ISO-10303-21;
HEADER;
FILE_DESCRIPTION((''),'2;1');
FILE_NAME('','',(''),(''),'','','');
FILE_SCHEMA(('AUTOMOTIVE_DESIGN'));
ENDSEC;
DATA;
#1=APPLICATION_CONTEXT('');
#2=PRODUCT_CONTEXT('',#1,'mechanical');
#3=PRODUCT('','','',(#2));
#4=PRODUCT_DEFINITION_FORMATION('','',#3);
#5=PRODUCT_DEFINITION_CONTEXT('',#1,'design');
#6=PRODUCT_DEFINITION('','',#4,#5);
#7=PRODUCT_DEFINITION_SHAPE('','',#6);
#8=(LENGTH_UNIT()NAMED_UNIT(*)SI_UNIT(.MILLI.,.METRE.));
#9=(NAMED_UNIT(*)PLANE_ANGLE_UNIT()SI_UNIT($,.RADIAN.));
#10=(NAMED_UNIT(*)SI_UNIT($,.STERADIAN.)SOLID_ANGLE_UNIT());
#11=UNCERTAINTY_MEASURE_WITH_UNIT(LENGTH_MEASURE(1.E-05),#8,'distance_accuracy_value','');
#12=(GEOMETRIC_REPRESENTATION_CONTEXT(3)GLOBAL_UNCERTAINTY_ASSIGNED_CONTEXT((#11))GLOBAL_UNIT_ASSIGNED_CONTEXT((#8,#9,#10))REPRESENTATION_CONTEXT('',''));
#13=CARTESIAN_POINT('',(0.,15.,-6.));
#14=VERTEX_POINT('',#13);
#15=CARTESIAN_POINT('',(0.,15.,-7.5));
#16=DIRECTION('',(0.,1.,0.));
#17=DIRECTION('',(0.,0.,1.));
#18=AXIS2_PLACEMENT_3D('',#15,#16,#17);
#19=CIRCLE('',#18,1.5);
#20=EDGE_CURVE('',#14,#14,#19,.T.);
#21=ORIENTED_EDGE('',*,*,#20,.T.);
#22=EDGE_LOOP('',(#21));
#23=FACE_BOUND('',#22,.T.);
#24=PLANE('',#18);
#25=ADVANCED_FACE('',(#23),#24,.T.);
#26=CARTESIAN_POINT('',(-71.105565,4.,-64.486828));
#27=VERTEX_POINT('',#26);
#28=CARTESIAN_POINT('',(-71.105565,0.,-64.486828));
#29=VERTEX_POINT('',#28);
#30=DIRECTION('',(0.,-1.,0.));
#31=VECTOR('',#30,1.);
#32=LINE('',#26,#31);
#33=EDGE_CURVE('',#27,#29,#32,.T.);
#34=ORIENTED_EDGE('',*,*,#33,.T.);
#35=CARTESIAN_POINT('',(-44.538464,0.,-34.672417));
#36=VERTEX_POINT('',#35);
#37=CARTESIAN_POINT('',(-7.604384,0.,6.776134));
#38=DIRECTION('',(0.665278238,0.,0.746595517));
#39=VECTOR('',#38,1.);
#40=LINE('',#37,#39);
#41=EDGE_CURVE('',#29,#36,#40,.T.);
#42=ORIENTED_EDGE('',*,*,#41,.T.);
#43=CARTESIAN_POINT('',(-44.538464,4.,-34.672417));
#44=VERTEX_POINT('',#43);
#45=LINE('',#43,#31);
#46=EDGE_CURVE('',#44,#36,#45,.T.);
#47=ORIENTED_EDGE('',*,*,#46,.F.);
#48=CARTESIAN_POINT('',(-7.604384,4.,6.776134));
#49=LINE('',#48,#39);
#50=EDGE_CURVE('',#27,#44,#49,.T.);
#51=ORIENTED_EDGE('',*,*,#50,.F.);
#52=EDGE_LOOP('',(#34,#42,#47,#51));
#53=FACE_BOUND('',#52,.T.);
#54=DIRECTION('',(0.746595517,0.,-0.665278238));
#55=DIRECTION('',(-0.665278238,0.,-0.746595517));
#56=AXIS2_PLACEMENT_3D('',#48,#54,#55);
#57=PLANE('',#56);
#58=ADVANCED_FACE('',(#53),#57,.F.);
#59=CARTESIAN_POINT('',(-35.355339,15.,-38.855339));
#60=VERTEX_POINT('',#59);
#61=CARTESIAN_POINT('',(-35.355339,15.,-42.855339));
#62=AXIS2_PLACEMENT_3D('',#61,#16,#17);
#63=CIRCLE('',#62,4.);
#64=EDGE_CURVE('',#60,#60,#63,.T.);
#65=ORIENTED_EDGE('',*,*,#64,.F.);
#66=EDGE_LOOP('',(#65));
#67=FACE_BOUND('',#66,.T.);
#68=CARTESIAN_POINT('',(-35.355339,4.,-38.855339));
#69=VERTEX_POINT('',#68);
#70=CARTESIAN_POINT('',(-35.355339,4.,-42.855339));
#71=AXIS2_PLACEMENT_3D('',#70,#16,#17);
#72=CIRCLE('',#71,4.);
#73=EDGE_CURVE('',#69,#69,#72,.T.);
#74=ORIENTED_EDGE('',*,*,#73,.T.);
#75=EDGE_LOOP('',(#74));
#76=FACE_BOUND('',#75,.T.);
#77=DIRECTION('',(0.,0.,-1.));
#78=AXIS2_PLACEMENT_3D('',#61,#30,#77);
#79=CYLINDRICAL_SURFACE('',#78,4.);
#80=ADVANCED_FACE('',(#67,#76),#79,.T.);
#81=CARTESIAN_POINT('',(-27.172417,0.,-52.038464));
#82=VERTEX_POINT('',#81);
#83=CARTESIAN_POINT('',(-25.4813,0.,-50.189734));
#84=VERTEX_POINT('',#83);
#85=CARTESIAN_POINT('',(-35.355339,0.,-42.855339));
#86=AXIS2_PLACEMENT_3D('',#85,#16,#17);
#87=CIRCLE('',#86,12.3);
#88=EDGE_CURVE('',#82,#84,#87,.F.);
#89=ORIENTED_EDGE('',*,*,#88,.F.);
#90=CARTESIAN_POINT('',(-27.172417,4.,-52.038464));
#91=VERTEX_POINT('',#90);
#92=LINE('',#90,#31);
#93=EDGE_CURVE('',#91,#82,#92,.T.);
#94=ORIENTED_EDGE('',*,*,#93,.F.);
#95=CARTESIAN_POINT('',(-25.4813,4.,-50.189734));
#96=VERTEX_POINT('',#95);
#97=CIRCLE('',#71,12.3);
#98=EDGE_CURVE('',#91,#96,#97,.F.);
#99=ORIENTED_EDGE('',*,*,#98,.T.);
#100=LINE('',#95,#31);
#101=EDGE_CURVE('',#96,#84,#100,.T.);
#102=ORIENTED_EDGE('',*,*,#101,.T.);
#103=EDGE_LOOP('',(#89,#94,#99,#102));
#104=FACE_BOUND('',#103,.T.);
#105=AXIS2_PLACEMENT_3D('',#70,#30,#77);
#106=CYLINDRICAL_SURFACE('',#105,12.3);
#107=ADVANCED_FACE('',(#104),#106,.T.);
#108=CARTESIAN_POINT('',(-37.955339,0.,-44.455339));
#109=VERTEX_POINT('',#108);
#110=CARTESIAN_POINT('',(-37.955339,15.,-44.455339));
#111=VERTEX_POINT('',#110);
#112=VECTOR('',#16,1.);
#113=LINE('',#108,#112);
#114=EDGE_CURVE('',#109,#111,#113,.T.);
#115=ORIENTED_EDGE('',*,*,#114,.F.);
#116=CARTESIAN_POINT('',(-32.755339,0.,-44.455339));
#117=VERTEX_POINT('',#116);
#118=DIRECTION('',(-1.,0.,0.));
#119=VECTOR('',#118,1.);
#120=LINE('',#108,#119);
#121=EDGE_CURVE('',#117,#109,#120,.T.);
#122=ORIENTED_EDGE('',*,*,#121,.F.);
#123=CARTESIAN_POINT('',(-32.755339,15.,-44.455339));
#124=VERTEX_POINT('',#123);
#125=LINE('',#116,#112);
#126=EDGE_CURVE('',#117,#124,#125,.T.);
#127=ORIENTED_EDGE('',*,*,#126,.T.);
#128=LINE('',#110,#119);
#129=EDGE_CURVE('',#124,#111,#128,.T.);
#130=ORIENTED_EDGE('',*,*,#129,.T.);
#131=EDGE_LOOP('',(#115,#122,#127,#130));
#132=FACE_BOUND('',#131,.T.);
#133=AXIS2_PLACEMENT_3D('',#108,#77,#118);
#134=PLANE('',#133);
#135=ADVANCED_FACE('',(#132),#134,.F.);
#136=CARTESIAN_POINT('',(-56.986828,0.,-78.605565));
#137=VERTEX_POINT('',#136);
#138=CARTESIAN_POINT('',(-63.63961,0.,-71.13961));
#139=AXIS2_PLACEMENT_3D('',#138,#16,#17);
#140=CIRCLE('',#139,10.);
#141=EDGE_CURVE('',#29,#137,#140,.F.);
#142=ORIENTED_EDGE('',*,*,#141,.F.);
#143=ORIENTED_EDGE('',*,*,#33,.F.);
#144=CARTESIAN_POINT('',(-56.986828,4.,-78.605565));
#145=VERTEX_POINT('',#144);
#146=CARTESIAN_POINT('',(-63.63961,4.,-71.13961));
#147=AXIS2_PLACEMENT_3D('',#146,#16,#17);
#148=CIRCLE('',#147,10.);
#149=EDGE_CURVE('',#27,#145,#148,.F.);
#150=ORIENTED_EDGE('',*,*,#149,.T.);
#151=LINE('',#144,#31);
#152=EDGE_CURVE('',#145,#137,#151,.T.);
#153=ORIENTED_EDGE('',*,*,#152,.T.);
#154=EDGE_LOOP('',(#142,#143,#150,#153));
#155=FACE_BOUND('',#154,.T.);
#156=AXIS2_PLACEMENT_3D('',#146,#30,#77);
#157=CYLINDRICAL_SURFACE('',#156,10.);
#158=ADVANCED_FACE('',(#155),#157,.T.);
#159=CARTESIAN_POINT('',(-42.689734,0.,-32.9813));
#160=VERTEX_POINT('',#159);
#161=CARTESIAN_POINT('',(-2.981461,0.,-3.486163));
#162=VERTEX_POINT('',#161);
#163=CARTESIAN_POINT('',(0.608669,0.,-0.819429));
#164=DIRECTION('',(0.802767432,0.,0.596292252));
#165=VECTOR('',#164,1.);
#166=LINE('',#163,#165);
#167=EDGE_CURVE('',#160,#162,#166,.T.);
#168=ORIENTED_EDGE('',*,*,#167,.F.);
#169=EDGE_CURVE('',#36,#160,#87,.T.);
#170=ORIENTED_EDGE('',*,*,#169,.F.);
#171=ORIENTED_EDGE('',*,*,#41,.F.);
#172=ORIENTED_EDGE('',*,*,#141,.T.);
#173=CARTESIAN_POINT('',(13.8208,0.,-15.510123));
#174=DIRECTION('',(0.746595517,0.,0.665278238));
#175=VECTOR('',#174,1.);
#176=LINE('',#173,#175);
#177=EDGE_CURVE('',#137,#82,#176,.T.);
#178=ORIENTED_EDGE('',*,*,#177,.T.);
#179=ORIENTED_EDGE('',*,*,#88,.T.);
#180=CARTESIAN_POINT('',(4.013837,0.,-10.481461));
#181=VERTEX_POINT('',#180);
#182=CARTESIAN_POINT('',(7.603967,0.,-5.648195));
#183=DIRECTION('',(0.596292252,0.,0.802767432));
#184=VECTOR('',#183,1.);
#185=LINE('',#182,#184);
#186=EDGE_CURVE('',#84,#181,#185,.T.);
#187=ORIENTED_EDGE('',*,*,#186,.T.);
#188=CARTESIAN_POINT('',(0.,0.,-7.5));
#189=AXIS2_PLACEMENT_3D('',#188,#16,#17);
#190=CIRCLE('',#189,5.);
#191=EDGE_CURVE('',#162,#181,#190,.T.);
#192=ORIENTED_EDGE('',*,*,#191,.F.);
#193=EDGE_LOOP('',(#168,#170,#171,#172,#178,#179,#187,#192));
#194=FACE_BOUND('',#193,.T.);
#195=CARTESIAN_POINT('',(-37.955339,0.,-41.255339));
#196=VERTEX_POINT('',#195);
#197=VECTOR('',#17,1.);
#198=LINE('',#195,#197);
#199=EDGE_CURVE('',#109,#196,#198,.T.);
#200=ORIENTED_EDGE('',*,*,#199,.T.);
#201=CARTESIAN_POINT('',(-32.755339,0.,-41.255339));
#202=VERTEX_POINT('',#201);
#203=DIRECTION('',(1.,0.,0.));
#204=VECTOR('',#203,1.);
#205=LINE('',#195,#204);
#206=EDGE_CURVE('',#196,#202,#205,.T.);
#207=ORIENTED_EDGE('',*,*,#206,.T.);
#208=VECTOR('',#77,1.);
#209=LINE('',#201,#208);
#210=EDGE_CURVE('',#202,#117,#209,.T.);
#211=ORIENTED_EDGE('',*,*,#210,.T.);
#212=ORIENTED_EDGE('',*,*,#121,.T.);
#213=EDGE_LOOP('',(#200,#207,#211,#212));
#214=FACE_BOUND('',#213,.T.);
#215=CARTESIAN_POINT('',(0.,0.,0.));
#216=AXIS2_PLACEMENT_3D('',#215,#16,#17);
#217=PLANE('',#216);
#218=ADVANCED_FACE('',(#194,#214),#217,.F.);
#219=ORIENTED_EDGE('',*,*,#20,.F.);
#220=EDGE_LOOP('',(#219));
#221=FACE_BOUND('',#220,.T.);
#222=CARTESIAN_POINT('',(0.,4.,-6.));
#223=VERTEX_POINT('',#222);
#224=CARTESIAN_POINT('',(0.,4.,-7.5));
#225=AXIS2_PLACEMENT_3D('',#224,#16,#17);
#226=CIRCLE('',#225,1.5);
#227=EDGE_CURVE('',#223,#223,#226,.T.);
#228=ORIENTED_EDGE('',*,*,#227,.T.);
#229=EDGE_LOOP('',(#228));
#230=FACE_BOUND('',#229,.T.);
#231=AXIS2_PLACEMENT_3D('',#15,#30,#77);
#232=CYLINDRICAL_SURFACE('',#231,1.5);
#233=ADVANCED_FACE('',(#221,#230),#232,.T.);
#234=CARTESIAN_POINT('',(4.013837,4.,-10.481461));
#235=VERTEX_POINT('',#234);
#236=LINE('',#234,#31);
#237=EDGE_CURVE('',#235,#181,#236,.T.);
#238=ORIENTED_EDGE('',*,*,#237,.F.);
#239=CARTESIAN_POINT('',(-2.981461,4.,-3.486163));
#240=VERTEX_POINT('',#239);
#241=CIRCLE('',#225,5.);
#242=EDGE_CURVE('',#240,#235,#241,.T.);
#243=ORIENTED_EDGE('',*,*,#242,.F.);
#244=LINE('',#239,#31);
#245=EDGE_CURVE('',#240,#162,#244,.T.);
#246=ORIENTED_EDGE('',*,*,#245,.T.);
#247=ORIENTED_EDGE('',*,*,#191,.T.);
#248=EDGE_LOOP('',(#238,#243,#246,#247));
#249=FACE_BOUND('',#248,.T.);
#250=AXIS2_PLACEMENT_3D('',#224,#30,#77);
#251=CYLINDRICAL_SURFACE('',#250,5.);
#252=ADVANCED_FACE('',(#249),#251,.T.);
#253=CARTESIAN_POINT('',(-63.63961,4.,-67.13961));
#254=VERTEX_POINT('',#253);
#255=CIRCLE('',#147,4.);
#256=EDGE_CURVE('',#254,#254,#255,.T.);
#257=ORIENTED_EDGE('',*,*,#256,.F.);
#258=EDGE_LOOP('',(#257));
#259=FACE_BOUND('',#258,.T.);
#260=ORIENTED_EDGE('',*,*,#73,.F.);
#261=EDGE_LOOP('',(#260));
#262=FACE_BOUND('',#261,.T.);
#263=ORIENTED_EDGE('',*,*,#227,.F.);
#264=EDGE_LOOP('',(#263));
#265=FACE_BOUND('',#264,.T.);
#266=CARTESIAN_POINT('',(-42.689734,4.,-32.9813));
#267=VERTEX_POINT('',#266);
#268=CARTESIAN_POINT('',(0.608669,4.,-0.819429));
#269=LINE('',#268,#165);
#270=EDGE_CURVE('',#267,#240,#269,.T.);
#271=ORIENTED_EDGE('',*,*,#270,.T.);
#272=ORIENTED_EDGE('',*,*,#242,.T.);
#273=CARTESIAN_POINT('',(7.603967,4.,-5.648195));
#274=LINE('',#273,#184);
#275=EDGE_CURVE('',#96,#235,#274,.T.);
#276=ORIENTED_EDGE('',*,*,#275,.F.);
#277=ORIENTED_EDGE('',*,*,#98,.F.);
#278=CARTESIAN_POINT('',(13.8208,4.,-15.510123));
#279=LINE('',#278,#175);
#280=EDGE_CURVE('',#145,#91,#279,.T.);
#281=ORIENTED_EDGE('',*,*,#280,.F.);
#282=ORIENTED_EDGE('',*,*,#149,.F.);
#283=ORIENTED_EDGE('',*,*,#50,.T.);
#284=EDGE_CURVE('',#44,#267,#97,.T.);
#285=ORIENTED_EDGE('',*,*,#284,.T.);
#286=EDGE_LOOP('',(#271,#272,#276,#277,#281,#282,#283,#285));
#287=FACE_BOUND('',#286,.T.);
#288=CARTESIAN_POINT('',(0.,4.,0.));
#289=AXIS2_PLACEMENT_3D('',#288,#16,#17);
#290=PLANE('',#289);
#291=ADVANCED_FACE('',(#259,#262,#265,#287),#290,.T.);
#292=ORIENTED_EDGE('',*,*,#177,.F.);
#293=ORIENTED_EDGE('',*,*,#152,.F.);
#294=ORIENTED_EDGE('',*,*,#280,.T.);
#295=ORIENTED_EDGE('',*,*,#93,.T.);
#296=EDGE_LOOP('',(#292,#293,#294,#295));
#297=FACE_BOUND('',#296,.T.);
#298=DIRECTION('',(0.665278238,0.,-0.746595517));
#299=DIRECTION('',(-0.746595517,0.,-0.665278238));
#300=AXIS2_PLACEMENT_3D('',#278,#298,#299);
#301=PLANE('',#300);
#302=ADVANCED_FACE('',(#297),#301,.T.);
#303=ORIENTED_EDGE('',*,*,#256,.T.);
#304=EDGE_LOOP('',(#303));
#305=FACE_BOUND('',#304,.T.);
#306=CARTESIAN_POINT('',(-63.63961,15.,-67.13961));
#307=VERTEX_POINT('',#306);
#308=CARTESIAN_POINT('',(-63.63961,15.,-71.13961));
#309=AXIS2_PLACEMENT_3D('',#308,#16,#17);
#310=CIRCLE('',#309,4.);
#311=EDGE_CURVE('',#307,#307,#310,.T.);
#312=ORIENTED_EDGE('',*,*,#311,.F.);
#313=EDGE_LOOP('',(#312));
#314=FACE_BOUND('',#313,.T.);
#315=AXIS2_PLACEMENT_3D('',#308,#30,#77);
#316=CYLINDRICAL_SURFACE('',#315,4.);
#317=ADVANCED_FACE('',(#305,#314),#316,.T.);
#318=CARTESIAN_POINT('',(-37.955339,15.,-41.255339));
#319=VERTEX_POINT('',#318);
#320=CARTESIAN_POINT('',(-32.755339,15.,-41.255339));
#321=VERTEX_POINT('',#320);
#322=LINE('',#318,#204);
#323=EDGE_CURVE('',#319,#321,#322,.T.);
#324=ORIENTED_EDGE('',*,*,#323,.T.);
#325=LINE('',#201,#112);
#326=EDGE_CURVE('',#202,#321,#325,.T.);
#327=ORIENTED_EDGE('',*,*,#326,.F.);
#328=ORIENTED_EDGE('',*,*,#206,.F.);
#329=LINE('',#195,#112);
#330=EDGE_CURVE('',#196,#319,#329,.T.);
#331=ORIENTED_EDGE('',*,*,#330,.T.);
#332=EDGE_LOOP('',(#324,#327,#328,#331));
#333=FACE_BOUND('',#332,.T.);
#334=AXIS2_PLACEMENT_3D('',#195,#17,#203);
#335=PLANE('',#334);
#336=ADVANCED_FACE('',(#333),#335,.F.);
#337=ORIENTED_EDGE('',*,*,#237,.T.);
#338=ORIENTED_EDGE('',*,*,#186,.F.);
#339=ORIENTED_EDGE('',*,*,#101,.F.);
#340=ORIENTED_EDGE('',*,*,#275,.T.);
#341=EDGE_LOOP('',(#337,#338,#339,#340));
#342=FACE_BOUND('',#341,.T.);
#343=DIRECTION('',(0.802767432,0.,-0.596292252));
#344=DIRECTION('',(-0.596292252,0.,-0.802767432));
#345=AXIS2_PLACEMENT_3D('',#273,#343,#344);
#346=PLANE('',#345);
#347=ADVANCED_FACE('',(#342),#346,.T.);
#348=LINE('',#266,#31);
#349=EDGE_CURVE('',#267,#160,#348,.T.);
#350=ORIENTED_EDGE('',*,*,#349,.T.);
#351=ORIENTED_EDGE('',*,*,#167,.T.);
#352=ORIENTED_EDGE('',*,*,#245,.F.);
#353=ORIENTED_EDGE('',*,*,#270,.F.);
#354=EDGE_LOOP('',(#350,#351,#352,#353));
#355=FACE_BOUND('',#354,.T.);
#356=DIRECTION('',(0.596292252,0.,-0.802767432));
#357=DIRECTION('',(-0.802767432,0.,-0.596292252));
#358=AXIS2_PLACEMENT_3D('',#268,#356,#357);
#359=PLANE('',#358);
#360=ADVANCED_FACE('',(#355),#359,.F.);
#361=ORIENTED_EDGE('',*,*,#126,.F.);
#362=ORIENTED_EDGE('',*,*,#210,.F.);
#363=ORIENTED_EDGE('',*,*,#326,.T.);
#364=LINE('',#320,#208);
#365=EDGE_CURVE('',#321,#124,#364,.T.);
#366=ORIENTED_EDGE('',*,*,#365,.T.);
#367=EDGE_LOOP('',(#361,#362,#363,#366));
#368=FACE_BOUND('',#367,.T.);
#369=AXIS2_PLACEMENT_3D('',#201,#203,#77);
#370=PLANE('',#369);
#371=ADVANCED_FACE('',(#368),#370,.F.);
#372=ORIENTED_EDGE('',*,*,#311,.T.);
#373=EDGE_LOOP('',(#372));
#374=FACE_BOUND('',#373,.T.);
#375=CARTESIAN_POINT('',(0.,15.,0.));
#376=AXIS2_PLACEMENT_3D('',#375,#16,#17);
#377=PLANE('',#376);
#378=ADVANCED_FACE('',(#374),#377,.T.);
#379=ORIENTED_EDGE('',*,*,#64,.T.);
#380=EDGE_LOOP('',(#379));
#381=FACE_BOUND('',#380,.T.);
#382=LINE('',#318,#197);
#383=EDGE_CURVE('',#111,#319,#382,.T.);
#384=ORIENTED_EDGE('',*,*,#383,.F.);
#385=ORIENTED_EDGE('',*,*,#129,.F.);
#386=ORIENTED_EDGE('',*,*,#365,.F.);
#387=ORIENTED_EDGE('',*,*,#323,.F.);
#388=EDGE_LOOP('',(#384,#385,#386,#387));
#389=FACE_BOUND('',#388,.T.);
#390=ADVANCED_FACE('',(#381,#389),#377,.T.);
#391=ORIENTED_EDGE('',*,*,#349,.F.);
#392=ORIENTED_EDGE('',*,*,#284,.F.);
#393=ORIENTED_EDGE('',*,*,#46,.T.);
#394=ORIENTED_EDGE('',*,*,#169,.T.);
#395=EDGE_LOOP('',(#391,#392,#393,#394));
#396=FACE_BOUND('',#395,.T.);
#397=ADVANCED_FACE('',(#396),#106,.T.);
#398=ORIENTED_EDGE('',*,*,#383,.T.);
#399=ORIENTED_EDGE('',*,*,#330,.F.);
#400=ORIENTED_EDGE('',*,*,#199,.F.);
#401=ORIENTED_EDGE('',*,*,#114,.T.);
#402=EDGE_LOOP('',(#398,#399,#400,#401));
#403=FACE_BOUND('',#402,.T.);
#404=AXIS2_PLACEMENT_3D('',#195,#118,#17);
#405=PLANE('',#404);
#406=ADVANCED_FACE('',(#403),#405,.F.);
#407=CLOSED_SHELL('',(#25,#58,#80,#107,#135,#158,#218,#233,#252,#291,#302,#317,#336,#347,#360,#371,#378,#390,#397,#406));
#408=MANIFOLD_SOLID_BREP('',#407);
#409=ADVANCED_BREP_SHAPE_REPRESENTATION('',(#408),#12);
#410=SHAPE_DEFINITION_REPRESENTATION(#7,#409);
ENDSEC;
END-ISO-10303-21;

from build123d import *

# Parameters (mm, degrees)
BOSS_EXTRUDE1_DEPTH = 4
BOSS_EXTRUDE2_START = 4
SKETCH1_5_R         = 1.5
SKETCH1_5_R_2       = 4
BOSS_EXTRUDE2_DEPTH = 11
SKETCH4_W           = 5.2
SKETCH4_H           = 3.2
CUT_EXTRUDE1_DEPTH  = 111.595789101


with BuildPart() as part:
    # Sketch1 → Boss-Extrude1 (new body)
    with BuildSketch(Plane(origin=(0, 0, 0), x_dir=(1, 0, 0), z_dir=(0, 1, 0))):
        with BuildLine():
            ThreePointArc((-44.538463923, 34.672416737), (-43.657271509, 33.779661806), (-42.68973376, 32.981299644))
            Line((-42.68973376, 32.981299644), (-2.98146126, 3.486162839))
            ThreePointArc((-2.98146126, 3.486162839), (3.535533906, 3.964466094), (4.013837161, 10.48146126))
            Line((4.013837161, 10.48146126), (-25.481299644, 50.18973376))
            ThreePointArc((-25.481299644, 50.18973376), (-26.279661806, 51.157271509), (-27.172416737, 52.038463923))
            Line((-27.172416737, 52.038463923), (-56.986827931, 78.605565481))
            ThreePointArc((-56.986827931, 78.605565481), (-70.710678119, 78.210678119), (-71.105565481, 64.486827931))
            Line((-71.105565481, 64.486827931), (-44.538463923, 34.672416737))
        make_face()
    extrude(amount=BOSS_EXTRUDE1_DEPTH)

    # Sketch1<5> → Boss-Extrude2 (add)
    with BuildSketch(Plane(origin=(0, 0, 0), x_dir=(1, 0, 0), z_dir=(0, 1, 0)).offset(BOSS_EXTRUDE2_START)):
        with Locations((0, 7.5)):
            Circle(SKETCH1_5_R)
        with Locations((-35.355339059, 42.855339059)):
            Circle(SKETCH1_5_R_2)
        with Locations((-63.639610307, 71.139610307)):
            Circle(SKETCH1_5_R_2)
    extrude(amount=BOSS_EXTRUDE2_DEPTH)

    # Sketch4 → Cut-Extrude1 (cut, through all)
    with BuildSketch(Plane(origin=(0, 15, 0), x_dir=(1, 0, 0), z_dir=(0, 1, 0))):
        with Locations((-35.355339059, 42.855339059)):
            Rectangle(SKETCH4_W, SKETCH4_H)
    extrude(amount=-CUT_EXTRUDE1_DEPTH, mode=Mode.SUBTRACT)


solid = part.part
